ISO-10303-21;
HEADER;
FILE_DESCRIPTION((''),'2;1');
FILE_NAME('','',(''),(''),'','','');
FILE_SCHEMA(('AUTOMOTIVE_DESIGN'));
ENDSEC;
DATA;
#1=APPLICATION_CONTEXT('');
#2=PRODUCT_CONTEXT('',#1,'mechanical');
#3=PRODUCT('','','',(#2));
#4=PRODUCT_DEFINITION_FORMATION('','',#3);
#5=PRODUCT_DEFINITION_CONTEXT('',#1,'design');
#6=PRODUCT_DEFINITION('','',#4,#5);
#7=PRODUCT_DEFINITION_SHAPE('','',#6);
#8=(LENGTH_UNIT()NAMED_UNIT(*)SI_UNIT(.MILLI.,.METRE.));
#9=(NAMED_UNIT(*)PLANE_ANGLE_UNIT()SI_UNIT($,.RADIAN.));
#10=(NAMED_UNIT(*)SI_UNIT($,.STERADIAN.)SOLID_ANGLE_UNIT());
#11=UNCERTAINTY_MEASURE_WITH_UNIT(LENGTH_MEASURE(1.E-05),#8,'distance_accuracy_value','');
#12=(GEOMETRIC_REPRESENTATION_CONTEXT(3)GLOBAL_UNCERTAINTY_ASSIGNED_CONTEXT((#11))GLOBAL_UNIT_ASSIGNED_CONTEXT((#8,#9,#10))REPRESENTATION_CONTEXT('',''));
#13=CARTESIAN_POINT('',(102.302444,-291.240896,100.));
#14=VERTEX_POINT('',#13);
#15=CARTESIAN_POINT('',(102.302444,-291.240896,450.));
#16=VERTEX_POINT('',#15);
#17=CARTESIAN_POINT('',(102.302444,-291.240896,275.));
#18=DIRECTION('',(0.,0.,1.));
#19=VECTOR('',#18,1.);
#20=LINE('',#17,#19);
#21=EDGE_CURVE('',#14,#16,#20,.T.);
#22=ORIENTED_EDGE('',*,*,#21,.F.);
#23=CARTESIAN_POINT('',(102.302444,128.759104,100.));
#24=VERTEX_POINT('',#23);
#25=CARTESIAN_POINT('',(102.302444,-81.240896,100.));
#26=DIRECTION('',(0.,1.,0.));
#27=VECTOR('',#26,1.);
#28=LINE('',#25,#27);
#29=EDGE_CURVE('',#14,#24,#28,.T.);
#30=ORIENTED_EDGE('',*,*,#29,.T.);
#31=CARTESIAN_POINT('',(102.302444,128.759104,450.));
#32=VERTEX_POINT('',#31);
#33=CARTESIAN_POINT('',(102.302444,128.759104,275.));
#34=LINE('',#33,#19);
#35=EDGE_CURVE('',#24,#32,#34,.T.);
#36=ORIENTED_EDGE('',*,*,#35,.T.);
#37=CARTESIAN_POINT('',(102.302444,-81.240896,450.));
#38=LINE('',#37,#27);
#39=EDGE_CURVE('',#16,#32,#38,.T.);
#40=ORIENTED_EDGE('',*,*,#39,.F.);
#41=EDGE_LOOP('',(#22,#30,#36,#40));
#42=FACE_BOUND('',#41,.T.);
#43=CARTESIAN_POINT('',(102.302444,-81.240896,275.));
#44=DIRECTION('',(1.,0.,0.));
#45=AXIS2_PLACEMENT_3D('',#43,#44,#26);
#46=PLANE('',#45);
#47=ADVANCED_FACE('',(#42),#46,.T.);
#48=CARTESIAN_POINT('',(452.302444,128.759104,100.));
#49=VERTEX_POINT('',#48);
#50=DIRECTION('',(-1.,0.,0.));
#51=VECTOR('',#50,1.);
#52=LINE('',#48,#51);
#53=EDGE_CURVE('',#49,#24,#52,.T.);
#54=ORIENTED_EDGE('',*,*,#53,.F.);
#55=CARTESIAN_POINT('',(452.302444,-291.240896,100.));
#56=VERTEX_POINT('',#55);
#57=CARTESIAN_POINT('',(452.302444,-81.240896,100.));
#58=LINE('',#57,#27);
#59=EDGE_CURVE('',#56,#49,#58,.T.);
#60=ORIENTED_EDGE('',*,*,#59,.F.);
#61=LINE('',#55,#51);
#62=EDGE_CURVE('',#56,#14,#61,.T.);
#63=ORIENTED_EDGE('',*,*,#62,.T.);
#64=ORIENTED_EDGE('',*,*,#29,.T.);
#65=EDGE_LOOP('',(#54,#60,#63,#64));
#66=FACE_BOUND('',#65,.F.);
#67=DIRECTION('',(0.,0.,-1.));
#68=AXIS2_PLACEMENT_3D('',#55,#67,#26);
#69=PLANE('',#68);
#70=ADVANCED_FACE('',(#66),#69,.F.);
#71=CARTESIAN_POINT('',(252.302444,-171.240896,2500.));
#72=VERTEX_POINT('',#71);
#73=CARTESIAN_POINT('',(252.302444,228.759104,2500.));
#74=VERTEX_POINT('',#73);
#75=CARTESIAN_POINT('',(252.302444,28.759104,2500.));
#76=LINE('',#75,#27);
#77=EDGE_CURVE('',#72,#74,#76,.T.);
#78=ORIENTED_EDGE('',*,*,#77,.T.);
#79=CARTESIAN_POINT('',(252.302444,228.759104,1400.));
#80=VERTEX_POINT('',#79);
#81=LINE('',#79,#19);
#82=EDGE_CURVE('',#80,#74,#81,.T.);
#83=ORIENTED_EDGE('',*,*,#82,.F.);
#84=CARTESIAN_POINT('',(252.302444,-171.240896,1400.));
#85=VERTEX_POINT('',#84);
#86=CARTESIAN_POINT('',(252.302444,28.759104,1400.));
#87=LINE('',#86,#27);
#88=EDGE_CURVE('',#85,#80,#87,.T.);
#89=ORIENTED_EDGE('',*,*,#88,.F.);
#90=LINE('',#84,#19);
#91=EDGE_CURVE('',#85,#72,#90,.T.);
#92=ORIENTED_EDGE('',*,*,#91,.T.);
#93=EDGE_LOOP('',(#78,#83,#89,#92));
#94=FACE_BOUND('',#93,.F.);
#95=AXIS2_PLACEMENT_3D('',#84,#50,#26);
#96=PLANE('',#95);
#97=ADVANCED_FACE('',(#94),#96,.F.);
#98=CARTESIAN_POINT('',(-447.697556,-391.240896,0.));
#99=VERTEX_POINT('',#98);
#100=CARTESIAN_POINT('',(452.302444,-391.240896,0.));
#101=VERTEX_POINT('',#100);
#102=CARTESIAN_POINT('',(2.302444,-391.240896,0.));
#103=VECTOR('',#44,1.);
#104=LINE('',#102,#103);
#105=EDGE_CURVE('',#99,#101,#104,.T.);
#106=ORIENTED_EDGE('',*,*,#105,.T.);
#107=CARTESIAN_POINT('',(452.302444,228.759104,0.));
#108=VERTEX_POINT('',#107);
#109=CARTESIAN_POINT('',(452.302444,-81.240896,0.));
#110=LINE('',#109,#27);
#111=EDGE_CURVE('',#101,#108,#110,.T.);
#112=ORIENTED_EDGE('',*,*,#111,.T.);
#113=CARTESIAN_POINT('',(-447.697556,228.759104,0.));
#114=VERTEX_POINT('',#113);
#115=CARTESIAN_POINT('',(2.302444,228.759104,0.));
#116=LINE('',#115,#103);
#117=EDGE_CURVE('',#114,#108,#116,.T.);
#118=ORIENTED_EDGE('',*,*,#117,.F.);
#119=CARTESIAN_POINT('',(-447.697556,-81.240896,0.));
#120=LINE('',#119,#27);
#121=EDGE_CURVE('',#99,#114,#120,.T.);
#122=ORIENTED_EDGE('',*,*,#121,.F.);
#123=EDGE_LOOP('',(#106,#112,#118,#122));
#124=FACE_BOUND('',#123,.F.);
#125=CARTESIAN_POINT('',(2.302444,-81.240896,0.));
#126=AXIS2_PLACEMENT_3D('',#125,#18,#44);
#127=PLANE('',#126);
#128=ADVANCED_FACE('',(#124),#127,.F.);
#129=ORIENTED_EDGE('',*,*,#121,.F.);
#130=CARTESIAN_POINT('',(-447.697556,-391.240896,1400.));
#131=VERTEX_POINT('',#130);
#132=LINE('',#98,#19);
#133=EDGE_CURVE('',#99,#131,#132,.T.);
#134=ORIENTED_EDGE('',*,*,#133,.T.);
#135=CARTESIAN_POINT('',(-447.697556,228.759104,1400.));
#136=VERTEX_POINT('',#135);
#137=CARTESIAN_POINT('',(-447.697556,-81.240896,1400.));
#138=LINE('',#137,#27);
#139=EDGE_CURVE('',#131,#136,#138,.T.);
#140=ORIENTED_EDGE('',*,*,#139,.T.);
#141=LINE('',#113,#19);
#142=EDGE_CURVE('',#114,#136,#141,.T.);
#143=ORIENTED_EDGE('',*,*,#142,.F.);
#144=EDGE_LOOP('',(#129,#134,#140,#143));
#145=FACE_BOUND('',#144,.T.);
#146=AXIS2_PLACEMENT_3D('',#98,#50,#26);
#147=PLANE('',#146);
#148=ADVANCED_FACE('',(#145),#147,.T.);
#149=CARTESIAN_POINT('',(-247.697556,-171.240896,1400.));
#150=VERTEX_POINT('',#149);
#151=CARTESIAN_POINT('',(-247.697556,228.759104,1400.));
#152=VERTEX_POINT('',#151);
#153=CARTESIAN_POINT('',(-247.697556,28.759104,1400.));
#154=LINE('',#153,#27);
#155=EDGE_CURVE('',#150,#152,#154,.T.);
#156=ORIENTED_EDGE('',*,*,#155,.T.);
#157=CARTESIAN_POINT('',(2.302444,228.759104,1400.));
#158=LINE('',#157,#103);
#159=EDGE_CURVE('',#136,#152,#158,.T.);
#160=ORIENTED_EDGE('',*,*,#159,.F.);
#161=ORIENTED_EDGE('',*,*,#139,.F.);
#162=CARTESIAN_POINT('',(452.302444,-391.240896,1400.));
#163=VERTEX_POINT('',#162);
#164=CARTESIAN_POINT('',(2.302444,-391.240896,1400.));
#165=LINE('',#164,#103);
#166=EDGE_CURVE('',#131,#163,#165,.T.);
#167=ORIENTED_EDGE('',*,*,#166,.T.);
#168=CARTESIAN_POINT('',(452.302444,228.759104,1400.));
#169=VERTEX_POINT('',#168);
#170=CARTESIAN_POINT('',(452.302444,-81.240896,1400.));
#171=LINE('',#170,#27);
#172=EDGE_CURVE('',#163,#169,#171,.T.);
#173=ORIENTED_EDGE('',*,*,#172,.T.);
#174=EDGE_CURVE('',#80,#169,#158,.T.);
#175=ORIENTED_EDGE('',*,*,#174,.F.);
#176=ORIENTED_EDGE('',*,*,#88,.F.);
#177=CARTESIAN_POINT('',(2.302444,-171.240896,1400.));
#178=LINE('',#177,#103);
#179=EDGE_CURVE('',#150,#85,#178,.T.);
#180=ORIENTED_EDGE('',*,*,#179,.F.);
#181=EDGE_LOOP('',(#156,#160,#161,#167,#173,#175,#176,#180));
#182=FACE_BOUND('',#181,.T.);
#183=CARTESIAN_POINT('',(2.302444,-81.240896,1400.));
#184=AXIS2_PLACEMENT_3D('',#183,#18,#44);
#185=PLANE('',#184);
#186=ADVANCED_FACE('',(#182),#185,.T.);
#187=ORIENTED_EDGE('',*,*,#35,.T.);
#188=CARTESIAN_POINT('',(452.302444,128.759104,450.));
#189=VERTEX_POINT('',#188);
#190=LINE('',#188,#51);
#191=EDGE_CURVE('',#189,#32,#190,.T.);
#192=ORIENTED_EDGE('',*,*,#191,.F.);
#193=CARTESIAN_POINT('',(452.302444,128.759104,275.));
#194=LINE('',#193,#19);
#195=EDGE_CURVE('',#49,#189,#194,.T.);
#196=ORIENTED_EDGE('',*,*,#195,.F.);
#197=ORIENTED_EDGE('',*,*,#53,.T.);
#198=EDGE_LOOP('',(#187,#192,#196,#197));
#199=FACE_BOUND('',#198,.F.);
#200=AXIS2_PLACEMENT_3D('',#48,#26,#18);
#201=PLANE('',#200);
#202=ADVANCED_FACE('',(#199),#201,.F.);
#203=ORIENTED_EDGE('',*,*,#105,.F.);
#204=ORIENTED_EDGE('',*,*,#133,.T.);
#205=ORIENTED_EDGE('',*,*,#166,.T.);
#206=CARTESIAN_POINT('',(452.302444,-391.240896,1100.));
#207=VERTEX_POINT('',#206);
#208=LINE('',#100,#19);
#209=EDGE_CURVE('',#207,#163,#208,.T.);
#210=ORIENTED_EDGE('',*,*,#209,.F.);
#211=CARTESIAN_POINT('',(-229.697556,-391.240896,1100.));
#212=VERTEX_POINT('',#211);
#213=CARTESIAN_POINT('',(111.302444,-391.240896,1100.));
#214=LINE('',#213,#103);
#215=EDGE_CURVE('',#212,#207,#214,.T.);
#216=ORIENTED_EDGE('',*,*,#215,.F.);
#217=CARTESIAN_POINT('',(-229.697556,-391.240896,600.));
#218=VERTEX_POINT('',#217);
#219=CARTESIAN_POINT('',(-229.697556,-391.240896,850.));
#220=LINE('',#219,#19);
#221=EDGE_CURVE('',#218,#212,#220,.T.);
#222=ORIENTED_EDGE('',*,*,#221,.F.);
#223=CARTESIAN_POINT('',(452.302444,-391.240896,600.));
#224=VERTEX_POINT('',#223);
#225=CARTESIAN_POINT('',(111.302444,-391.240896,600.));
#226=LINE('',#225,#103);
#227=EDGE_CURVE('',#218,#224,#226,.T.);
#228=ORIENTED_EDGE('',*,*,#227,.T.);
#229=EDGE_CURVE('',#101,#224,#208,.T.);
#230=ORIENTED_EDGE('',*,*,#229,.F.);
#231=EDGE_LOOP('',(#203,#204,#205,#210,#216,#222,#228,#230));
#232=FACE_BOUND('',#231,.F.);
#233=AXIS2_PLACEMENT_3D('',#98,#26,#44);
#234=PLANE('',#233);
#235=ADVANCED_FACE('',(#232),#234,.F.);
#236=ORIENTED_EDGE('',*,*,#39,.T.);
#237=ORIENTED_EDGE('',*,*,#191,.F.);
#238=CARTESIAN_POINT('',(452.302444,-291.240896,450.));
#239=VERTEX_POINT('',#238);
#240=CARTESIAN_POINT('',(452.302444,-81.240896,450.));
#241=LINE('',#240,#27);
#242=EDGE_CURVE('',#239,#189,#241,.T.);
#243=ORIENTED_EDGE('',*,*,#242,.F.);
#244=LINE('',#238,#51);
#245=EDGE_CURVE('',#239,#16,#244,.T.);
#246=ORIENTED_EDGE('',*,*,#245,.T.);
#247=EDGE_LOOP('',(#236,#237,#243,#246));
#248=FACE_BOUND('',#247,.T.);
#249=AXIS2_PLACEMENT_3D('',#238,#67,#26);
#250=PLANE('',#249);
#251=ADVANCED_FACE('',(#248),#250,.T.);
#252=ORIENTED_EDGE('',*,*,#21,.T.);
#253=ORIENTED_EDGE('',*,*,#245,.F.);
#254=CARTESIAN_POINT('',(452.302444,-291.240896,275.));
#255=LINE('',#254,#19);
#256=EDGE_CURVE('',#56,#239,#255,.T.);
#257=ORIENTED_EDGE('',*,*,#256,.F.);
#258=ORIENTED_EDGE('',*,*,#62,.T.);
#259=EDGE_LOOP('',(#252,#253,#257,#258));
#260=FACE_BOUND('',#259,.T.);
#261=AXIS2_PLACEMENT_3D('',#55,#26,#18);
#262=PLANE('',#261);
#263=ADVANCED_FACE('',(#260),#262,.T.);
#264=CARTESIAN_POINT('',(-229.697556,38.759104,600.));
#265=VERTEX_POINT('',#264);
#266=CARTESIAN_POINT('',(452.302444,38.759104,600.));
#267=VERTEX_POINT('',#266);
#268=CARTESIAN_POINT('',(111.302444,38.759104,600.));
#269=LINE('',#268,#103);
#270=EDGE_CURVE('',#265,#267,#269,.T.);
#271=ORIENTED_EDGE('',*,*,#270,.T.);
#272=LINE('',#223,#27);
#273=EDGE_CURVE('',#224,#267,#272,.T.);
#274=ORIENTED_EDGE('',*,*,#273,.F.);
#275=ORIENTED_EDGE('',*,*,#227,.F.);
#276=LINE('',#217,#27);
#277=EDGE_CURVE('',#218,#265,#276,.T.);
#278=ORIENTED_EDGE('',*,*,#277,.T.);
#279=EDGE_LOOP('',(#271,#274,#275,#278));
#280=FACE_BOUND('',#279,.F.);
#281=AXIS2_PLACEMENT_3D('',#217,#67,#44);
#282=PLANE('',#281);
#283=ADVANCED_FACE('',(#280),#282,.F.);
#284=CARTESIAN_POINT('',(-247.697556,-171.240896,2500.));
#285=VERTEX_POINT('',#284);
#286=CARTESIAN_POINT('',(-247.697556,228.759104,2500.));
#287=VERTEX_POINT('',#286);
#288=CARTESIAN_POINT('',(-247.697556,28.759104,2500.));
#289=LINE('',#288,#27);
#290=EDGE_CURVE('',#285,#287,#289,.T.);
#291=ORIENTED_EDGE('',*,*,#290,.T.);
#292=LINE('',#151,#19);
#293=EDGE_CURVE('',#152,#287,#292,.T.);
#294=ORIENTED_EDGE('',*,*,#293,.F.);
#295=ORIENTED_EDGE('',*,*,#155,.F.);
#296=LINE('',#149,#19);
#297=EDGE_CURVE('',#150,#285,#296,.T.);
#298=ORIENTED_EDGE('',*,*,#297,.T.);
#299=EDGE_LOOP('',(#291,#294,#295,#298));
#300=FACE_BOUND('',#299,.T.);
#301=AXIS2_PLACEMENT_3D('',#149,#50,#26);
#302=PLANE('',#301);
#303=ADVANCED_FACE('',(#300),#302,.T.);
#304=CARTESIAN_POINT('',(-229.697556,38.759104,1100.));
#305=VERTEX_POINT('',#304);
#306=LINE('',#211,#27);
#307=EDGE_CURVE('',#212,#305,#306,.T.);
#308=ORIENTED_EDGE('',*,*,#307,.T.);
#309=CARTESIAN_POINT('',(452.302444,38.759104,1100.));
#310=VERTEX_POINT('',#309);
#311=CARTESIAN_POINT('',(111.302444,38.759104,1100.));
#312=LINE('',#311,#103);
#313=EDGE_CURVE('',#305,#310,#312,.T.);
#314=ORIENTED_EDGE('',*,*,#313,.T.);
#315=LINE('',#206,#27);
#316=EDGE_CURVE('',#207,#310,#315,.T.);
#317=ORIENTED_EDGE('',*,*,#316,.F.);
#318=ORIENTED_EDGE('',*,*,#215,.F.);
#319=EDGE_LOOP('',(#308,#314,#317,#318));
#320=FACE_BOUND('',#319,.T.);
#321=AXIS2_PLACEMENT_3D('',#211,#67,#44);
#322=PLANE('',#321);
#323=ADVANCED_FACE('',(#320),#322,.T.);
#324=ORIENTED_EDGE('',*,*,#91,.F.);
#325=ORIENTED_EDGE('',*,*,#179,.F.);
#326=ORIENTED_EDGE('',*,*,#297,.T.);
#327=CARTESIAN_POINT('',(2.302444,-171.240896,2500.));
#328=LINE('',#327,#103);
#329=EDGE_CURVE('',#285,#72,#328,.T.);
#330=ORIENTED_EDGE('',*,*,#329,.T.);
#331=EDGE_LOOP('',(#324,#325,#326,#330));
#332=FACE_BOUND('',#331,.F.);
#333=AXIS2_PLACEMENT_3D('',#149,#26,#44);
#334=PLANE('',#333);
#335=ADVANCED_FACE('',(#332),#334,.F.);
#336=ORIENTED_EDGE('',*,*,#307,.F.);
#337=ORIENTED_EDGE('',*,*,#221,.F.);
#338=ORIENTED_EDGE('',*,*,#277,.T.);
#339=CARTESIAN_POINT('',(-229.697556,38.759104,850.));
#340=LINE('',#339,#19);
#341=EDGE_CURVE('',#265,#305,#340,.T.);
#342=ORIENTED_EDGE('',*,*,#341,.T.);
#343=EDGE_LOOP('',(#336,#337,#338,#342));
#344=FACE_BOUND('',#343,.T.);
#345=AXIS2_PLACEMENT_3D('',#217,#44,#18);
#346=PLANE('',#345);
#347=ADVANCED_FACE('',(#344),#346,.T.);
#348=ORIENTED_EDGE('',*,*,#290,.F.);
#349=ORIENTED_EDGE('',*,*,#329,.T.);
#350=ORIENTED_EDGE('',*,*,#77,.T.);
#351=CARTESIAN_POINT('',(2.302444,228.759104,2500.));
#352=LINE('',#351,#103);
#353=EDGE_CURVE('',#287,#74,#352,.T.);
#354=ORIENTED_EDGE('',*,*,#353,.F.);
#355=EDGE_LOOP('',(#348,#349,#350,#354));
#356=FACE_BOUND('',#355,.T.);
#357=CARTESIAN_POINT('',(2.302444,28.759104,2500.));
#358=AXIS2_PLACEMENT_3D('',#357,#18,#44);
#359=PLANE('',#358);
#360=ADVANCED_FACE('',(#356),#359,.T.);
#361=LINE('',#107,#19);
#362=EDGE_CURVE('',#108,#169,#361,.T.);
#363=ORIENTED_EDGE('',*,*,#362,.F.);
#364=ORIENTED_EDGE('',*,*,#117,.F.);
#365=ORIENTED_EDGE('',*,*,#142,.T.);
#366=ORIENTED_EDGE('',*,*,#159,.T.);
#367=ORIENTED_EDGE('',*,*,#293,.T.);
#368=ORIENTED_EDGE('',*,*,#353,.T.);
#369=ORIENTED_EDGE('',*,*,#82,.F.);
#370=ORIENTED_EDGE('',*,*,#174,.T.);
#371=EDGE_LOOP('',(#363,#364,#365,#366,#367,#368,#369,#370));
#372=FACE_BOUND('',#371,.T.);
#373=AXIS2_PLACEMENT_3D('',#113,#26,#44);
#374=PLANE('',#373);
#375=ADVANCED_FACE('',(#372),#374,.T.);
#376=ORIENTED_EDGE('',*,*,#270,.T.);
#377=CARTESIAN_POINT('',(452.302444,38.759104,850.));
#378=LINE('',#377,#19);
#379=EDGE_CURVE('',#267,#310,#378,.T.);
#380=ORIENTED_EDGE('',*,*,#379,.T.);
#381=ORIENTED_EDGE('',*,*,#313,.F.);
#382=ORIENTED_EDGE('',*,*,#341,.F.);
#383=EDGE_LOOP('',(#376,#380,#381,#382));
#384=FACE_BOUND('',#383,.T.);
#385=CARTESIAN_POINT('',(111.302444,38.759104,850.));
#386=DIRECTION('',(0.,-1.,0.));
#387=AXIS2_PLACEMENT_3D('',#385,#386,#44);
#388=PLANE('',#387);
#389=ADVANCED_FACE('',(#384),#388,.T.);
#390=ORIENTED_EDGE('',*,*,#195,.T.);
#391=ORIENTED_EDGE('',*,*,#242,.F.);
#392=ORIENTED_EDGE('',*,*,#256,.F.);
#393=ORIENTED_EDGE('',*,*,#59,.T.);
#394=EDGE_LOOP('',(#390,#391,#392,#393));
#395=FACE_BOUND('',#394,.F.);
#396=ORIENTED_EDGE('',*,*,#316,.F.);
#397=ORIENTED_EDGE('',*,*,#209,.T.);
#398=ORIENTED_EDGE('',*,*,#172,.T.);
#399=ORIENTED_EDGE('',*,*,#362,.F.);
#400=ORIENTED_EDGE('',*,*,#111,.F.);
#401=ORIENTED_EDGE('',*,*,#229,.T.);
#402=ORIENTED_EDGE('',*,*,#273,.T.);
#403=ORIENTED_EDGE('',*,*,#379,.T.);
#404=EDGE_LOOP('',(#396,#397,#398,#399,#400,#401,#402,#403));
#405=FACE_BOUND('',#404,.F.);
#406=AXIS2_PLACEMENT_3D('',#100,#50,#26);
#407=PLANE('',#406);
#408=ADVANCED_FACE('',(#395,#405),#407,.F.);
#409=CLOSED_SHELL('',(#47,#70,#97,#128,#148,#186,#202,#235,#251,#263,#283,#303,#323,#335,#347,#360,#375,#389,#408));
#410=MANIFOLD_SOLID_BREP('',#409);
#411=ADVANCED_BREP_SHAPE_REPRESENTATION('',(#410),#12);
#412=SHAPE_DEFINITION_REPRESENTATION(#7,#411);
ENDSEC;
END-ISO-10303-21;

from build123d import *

# Parameters (mm, degrees)
F0_W     = 900
F0_H     = 620
F1_DEPTH = 1400
F2_W     = 682
F2_H     = 500
F3_DEPTH = 430
F4_W     = 500
F4_H     = 400
F5_DEPTH = 1100
F6_W     = 420
F6_H     = 350
F7_DEPTH = 350


with BuildPart() as f1:
    # F0 (on Top) → F1 (new body)
    with BuildSketch(Plane.XY):
        with Locations((2.302444, -81.240896)):
            Rectangle(F0_W, F0_H)
    extrude(amount=F1_DEPTH)

    # F2 (on face) → F3 (cut)
    with BuildSketch(Plane.XZ.offset(391.240896)):
        with Locations((111.302444, 850)):
            Rectangle(F2_W, F2_H)
    extrude(amount=-F3_DEPTH, mode=Mode.SUBTRACT)

    # F4 (on face) → F5 (join)
    with BuildSketch(Plane.XY.offset(1400)):
        with Locations((2.302444, 28.759104)):
            Rectangle(F4_W, F4_H)
    extrude(amount=F5_DEPTH)

    # F6 (on face) → F7 (cut)
    with BuildSketch(Plane.YZ.offset(452.302444)):
        with Locations((-81.240896, 275)):
            Rectangle(F6_W, F6_H)
    extrude(amount=-F7_DEPTH, mode=Mode.SUBTRACT)


solid = f1.part
